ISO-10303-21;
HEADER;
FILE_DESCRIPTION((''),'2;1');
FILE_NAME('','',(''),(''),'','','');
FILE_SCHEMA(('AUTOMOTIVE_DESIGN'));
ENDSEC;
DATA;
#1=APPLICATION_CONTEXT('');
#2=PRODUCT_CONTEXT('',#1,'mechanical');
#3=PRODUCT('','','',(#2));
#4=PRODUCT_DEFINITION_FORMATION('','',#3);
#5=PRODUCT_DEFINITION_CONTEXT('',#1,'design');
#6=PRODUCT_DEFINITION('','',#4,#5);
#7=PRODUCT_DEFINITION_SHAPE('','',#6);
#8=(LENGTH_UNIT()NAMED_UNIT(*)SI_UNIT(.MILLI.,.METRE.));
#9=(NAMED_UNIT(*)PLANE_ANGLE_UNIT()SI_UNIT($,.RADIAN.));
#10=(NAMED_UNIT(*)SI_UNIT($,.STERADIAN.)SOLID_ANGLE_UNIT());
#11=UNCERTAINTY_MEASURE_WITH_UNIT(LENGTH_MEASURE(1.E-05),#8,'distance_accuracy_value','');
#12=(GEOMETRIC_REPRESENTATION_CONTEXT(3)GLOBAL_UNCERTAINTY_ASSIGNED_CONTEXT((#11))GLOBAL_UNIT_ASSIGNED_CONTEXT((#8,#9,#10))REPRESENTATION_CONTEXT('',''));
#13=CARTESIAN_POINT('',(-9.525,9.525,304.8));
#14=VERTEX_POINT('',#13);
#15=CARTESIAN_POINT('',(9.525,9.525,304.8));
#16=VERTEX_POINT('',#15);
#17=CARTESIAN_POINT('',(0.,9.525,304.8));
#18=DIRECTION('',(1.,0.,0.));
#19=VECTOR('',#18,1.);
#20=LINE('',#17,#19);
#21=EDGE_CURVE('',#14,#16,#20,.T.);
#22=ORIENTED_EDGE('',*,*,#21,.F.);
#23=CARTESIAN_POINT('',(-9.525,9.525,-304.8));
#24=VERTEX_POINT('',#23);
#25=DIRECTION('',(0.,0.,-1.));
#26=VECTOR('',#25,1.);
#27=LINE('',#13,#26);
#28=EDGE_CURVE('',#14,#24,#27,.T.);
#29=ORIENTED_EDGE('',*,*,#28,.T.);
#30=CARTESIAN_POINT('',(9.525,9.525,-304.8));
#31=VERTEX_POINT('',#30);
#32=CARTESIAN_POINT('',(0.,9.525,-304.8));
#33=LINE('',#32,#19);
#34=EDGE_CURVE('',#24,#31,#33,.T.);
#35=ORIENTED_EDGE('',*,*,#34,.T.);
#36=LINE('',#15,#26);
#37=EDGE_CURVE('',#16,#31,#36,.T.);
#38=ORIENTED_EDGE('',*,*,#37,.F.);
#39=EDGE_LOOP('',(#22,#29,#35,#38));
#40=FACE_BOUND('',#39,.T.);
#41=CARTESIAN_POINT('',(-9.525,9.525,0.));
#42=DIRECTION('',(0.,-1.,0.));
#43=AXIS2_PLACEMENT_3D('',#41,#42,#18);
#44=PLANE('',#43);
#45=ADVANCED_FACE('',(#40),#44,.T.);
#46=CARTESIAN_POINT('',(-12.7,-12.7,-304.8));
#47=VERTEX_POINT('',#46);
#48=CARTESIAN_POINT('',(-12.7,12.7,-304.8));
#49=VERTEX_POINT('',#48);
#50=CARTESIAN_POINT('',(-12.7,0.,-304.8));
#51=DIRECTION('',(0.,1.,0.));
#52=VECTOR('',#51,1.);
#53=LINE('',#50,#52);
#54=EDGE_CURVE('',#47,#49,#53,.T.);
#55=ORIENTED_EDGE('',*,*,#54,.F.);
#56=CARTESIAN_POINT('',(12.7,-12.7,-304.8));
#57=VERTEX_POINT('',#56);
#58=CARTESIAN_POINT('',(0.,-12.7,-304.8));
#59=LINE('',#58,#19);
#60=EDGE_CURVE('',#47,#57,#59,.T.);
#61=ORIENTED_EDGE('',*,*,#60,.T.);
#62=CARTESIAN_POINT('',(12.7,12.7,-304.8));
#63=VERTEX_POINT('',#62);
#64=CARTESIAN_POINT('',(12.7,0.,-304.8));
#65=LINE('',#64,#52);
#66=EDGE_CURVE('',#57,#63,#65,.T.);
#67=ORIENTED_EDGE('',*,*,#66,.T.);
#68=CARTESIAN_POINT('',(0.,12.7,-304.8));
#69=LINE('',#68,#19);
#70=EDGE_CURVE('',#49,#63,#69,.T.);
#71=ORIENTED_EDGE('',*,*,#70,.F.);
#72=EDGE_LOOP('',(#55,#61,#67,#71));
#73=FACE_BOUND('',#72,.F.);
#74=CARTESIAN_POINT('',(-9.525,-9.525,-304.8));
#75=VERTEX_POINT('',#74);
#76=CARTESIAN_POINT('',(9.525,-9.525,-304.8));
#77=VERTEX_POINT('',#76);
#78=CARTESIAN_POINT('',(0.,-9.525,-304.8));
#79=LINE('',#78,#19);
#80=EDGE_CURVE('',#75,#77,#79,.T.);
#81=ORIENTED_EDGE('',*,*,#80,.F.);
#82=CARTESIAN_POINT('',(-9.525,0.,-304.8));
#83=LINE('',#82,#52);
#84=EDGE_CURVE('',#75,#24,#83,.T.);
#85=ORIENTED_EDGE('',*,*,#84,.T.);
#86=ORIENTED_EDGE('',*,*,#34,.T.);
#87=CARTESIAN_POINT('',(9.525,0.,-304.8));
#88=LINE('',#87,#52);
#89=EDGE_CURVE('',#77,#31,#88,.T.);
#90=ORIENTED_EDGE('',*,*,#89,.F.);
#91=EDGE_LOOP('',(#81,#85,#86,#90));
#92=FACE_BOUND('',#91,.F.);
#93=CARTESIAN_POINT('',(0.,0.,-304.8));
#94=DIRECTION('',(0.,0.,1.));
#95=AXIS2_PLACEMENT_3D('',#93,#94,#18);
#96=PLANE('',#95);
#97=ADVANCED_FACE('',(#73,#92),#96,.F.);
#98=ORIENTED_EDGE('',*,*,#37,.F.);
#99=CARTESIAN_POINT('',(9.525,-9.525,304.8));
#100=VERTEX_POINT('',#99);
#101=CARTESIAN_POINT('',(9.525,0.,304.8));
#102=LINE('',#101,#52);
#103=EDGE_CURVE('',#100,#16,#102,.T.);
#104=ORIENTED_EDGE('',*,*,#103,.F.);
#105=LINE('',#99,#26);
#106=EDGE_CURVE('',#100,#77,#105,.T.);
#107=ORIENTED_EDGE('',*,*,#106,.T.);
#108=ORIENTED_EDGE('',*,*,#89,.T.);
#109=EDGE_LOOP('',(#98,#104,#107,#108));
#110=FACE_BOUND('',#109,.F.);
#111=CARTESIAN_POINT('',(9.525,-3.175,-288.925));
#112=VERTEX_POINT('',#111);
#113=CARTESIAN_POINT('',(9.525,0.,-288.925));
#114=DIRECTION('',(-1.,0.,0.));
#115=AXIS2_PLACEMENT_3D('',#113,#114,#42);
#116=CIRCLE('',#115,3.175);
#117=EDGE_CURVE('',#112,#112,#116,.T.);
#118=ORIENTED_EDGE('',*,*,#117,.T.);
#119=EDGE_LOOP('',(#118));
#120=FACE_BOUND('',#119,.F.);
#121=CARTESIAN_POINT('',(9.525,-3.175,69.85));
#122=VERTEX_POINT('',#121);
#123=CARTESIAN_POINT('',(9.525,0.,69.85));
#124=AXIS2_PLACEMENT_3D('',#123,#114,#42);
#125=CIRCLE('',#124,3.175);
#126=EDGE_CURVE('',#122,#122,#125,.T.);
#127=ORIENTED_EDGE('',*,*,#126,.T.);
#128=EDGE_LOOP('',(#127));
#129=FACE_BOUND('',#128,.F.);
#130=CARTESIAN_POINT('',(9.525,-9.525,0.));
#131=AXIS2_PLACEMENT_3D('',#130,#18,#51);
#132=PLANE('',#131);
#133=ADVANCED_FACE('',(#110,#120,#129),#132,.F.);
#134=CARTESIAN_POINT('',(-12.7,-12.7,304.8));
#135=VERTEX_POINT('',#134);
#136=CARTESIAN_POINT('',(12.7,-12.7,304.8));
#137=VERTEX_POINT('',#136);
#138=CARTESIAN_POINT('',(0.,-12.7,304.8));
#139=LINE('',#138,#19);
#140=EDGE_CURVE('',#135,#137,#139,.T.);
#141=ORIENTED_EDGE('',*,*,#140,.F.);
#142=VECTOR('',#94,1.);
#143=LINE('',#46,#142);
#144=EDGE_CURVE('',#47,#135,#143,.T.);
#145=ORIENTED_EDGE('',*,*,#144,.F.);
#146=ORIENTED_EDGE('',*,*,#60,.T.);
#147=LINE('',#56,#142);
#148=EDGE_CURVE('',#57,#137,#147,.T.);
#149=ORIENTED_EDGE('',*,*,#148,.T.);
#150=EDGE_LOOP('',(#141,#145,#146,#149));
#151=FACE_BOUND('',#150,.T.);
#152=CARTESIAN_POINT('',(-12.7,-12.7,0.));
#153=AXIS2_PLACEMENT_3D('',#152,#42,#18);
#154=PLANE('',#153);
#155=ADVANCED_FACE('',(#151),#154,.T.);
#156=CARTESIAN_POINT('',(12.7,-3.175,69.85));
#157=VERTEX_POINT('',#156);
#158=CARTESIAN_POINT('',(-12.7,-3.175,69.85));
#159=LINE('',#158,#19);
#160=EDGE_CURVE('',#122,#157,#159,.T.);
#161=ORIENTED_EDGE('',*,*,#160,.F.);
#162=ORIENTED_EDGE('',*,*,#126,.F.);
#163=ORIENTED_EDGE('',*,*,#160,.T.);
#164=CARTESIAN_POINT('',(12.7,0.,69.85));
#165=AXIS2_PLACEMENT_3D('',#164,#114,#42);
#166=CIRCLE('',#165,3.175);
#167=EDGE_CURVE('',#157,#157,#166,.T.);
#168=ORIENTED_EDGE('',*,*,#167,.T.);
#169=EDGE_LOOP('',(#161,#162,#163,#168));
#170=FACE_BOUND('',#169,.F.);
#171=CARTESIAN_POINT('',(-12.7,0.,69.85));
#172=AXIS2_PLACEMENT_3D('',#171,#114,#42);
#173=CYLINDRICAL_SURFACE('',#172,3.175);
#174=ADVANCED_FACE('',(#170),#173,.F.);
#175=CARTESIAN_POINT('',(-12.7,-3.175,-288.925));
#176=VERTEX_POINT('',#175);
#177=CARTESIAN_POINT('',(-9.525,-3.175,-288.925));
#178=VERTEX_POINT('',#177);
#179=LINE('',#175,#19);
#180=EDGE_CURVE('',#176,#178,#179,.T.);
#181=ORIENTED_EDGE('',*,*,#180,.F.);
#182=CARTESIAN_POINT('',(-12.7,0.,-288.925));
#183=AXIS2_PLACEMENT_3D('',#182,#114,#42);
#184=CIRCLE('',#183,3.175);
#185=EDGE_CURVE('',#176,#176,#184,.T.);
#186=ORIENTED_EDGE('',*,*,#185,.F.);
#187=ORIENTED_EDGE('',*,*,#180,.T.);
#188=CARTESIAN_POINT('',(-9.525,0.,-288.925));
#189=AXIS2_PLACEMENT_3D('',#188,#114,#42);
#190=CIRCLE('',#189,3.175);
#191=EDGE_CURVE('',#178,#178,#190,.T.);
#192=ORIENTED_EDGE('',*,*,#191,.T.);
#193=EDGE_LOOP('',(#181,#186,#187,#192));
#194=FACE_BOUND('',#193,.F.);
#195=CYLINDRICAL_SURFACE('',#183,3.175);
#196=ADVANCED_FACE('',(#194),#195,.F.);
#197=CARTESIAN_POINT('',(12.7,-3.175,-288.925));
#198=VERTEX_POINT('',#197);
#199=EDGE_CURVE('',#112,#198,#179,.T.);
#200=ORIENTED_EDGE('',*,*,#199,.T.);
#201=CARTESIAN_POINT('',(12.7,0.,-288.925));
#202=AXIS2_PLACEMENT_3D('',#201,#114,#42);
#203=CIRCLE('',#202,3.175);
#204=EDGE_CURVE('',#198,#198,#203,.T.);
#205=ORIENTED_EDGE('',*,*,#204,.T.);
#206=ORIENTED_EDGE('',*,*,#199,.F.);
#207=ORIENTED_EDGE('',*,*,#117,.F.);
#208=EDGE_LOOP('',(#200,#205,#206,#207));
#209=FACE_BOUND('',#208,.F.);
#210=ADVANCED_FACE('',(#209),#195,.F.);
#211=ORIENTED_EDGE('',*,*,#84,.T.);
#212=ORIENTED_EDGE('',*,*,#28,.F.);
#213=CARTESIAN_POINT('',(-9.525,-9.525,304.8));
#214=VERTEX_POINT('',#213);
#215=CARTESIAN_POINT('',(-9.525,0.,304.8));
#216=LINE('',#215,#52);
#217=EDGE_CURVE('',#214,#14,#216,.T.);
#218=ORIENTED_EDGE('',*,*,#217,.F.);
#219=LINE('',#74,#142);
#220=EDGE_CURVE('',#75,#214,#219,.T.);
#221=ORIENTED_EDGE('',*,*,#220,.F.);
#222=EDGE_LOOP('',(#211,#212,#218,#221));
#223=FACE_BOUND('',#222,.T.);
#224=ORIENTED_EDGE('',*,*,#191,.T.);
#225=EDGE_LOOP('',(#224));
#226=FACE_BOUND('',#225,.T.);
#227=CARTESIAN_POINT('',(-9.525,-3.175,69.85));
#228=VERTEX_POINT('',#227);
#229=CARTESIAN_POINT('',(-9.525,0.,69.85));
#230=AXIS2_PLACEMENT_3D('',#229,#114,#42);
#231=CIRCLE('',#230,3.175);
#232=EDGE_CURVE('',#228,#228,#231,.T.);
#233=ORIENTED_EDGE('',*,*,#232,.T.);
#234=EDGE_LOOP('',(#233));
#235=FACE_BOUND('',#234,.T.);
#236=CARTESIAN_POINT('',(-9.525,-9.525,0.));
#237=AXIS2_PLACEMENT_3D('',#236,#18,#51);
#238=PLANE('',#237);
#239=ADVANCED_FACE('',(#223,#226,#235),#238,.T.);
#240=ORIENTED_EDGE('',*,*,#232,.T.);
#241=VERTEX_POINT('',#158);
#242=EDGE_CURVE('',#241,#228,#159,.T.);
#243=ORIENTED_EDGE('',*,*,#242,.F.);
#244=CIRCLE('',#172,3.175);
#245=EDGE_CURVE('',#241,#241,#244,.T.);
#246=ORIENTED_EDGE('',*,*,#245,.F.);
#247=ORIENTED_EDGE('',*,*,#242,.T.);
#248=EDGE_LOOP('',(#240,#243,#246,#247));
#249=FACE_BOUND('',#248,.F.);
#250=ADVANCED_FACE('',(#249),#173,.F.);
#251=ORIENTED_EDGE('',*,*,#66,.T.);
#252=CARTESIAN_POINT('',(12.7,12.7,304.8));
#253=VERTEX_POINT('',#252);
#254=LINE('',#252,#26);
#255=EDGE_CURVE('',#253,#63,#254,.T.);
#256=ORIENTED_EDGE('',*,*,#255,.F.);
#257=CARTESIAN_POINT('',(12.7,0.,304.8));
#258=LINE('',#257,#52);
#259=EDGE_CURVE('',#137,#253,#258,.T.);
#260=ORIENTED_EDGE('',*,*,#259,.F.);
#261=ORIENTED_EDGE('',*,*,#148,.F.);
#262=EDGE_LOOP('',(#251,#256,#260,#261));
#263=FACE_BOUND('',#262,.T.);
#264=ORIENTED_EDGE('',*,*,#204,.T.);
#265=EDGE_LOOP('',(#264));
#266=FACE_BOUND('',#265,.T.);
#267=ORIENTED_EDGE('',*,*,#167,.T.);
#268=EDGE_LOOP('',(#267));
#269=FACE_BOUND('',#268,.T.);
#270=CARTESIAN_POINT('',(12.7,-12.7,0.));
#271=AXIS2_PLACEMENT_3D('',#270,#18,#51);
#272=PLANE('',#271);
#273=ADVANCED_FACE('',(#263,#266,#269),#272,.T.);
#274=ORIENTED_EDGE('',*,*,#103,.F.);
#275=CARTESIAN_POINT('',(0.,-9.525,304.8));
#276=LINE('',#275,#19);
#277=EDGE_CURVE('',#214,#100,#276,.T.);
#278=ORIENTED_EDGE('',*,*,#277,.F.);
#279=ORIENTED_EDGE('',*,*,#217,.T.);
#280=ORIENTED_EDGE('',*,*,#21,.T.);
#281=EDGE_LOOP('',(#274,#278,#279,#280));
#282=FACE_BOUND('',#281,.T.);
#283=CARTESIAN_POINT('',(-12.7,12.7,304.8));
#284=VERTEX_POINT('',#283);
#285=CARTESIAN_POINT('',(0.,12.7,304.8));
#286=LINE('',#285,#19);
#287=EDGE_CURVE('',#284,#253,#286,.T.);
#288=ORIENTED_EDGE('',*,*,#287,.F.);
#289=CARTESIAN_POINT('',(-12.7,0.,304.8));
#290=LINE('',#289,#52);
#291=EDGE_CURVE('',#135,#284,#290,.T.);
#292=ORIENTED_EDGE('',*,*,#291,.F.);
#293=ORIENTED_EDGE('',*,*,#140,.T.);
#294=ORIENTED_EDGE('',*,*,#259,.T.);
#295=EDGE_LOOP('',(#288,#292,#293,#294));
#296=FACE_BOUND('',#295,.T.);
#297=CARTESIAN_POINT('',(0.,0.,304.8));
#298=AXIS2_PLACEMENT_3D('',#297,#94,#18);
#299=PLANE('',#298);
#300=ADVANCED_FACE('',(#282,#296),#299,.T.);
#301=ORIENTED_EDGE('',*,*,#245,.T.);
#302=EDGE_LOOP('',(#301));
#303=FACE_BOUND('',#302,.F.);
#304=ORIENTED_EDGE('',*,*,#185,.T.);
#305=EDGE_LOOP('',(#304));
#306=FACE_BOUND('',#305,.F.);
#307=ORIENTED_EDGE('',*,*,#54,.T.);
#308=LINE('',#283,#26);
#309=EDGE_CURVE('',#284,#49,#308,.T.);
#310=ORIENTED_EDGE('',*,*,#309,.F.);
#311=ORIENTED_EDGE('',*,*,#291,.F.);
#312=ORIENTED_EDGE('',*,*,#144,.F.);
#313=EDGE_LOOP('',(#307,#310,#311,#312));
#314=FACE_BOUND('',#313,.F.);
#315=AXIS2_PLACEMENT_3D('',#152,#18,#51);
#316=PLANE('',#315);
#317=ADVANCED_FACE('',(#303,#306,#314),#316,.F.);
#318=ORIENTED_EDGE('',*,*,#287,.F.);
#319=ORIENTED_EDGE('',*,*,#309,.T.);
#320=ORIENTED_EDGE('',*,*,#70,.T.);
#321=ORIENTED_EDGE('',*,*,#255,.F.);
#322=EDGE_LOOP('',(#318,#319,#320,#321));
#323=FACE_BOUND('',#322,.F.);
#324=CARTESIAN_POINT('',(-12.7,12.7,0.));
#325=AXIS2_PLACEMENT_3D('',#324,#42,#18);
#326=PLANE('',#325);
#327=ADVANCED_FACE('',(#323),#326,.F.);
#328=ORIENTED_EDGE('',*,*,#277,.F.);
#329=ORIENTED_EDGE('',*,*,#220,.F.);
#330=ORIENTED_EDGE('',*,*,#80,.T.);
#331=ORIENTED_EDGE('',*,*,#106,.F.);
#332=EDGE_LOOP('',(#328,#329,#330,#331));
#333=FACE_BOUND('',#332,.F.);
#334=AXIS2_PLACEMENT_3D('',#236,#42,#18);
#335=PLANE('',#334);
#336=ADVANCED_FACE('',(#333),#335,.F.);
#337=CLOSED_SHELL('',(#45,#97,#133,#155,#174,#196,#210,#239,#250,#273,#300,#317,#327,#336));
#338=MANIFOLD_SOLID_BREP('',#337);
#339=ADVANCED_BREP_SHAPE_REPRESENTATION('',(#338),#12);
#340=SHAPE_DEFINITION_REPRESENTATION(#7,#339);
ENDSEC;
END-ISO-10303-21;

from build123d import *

# Parameters (mm, degrees)
F0_W     = 25.4
F0_H     = 25.4
F0_W_2   = 19.05
F0_H_2   = 19.05
F1_DEPTH = 304.8
F2_R     = 3.175
F3_DEPTH = 31.75


with BuildPart() as f1:
    # F0 (on Top) → F1 (new body, symmetric)
    with BuildSketch(Plane.XY):
        Rectangle(F0_W, F0_H)
        Rectangle(F0_W_2, F0_H_2, mode=Mode.SUBTRACT)
    extrude(amount=F1_DEPTH, both=True)

    # F2 (on face) → F3 (cut)
    with BuildSketch(Plane(origin=(-12.7, 0, 0), x_dir=(0, -1, 0), z_dir=(-1, 0, 0))):
        with Locations((0, 69.85)):
            Circle(F2_R)
        with Locations((0, -288.925)):
            Circle(F2_R)
    extrude(amount=-F3_DEPTH, mode=Mode.SUBTRACT)


solid = f1.part
